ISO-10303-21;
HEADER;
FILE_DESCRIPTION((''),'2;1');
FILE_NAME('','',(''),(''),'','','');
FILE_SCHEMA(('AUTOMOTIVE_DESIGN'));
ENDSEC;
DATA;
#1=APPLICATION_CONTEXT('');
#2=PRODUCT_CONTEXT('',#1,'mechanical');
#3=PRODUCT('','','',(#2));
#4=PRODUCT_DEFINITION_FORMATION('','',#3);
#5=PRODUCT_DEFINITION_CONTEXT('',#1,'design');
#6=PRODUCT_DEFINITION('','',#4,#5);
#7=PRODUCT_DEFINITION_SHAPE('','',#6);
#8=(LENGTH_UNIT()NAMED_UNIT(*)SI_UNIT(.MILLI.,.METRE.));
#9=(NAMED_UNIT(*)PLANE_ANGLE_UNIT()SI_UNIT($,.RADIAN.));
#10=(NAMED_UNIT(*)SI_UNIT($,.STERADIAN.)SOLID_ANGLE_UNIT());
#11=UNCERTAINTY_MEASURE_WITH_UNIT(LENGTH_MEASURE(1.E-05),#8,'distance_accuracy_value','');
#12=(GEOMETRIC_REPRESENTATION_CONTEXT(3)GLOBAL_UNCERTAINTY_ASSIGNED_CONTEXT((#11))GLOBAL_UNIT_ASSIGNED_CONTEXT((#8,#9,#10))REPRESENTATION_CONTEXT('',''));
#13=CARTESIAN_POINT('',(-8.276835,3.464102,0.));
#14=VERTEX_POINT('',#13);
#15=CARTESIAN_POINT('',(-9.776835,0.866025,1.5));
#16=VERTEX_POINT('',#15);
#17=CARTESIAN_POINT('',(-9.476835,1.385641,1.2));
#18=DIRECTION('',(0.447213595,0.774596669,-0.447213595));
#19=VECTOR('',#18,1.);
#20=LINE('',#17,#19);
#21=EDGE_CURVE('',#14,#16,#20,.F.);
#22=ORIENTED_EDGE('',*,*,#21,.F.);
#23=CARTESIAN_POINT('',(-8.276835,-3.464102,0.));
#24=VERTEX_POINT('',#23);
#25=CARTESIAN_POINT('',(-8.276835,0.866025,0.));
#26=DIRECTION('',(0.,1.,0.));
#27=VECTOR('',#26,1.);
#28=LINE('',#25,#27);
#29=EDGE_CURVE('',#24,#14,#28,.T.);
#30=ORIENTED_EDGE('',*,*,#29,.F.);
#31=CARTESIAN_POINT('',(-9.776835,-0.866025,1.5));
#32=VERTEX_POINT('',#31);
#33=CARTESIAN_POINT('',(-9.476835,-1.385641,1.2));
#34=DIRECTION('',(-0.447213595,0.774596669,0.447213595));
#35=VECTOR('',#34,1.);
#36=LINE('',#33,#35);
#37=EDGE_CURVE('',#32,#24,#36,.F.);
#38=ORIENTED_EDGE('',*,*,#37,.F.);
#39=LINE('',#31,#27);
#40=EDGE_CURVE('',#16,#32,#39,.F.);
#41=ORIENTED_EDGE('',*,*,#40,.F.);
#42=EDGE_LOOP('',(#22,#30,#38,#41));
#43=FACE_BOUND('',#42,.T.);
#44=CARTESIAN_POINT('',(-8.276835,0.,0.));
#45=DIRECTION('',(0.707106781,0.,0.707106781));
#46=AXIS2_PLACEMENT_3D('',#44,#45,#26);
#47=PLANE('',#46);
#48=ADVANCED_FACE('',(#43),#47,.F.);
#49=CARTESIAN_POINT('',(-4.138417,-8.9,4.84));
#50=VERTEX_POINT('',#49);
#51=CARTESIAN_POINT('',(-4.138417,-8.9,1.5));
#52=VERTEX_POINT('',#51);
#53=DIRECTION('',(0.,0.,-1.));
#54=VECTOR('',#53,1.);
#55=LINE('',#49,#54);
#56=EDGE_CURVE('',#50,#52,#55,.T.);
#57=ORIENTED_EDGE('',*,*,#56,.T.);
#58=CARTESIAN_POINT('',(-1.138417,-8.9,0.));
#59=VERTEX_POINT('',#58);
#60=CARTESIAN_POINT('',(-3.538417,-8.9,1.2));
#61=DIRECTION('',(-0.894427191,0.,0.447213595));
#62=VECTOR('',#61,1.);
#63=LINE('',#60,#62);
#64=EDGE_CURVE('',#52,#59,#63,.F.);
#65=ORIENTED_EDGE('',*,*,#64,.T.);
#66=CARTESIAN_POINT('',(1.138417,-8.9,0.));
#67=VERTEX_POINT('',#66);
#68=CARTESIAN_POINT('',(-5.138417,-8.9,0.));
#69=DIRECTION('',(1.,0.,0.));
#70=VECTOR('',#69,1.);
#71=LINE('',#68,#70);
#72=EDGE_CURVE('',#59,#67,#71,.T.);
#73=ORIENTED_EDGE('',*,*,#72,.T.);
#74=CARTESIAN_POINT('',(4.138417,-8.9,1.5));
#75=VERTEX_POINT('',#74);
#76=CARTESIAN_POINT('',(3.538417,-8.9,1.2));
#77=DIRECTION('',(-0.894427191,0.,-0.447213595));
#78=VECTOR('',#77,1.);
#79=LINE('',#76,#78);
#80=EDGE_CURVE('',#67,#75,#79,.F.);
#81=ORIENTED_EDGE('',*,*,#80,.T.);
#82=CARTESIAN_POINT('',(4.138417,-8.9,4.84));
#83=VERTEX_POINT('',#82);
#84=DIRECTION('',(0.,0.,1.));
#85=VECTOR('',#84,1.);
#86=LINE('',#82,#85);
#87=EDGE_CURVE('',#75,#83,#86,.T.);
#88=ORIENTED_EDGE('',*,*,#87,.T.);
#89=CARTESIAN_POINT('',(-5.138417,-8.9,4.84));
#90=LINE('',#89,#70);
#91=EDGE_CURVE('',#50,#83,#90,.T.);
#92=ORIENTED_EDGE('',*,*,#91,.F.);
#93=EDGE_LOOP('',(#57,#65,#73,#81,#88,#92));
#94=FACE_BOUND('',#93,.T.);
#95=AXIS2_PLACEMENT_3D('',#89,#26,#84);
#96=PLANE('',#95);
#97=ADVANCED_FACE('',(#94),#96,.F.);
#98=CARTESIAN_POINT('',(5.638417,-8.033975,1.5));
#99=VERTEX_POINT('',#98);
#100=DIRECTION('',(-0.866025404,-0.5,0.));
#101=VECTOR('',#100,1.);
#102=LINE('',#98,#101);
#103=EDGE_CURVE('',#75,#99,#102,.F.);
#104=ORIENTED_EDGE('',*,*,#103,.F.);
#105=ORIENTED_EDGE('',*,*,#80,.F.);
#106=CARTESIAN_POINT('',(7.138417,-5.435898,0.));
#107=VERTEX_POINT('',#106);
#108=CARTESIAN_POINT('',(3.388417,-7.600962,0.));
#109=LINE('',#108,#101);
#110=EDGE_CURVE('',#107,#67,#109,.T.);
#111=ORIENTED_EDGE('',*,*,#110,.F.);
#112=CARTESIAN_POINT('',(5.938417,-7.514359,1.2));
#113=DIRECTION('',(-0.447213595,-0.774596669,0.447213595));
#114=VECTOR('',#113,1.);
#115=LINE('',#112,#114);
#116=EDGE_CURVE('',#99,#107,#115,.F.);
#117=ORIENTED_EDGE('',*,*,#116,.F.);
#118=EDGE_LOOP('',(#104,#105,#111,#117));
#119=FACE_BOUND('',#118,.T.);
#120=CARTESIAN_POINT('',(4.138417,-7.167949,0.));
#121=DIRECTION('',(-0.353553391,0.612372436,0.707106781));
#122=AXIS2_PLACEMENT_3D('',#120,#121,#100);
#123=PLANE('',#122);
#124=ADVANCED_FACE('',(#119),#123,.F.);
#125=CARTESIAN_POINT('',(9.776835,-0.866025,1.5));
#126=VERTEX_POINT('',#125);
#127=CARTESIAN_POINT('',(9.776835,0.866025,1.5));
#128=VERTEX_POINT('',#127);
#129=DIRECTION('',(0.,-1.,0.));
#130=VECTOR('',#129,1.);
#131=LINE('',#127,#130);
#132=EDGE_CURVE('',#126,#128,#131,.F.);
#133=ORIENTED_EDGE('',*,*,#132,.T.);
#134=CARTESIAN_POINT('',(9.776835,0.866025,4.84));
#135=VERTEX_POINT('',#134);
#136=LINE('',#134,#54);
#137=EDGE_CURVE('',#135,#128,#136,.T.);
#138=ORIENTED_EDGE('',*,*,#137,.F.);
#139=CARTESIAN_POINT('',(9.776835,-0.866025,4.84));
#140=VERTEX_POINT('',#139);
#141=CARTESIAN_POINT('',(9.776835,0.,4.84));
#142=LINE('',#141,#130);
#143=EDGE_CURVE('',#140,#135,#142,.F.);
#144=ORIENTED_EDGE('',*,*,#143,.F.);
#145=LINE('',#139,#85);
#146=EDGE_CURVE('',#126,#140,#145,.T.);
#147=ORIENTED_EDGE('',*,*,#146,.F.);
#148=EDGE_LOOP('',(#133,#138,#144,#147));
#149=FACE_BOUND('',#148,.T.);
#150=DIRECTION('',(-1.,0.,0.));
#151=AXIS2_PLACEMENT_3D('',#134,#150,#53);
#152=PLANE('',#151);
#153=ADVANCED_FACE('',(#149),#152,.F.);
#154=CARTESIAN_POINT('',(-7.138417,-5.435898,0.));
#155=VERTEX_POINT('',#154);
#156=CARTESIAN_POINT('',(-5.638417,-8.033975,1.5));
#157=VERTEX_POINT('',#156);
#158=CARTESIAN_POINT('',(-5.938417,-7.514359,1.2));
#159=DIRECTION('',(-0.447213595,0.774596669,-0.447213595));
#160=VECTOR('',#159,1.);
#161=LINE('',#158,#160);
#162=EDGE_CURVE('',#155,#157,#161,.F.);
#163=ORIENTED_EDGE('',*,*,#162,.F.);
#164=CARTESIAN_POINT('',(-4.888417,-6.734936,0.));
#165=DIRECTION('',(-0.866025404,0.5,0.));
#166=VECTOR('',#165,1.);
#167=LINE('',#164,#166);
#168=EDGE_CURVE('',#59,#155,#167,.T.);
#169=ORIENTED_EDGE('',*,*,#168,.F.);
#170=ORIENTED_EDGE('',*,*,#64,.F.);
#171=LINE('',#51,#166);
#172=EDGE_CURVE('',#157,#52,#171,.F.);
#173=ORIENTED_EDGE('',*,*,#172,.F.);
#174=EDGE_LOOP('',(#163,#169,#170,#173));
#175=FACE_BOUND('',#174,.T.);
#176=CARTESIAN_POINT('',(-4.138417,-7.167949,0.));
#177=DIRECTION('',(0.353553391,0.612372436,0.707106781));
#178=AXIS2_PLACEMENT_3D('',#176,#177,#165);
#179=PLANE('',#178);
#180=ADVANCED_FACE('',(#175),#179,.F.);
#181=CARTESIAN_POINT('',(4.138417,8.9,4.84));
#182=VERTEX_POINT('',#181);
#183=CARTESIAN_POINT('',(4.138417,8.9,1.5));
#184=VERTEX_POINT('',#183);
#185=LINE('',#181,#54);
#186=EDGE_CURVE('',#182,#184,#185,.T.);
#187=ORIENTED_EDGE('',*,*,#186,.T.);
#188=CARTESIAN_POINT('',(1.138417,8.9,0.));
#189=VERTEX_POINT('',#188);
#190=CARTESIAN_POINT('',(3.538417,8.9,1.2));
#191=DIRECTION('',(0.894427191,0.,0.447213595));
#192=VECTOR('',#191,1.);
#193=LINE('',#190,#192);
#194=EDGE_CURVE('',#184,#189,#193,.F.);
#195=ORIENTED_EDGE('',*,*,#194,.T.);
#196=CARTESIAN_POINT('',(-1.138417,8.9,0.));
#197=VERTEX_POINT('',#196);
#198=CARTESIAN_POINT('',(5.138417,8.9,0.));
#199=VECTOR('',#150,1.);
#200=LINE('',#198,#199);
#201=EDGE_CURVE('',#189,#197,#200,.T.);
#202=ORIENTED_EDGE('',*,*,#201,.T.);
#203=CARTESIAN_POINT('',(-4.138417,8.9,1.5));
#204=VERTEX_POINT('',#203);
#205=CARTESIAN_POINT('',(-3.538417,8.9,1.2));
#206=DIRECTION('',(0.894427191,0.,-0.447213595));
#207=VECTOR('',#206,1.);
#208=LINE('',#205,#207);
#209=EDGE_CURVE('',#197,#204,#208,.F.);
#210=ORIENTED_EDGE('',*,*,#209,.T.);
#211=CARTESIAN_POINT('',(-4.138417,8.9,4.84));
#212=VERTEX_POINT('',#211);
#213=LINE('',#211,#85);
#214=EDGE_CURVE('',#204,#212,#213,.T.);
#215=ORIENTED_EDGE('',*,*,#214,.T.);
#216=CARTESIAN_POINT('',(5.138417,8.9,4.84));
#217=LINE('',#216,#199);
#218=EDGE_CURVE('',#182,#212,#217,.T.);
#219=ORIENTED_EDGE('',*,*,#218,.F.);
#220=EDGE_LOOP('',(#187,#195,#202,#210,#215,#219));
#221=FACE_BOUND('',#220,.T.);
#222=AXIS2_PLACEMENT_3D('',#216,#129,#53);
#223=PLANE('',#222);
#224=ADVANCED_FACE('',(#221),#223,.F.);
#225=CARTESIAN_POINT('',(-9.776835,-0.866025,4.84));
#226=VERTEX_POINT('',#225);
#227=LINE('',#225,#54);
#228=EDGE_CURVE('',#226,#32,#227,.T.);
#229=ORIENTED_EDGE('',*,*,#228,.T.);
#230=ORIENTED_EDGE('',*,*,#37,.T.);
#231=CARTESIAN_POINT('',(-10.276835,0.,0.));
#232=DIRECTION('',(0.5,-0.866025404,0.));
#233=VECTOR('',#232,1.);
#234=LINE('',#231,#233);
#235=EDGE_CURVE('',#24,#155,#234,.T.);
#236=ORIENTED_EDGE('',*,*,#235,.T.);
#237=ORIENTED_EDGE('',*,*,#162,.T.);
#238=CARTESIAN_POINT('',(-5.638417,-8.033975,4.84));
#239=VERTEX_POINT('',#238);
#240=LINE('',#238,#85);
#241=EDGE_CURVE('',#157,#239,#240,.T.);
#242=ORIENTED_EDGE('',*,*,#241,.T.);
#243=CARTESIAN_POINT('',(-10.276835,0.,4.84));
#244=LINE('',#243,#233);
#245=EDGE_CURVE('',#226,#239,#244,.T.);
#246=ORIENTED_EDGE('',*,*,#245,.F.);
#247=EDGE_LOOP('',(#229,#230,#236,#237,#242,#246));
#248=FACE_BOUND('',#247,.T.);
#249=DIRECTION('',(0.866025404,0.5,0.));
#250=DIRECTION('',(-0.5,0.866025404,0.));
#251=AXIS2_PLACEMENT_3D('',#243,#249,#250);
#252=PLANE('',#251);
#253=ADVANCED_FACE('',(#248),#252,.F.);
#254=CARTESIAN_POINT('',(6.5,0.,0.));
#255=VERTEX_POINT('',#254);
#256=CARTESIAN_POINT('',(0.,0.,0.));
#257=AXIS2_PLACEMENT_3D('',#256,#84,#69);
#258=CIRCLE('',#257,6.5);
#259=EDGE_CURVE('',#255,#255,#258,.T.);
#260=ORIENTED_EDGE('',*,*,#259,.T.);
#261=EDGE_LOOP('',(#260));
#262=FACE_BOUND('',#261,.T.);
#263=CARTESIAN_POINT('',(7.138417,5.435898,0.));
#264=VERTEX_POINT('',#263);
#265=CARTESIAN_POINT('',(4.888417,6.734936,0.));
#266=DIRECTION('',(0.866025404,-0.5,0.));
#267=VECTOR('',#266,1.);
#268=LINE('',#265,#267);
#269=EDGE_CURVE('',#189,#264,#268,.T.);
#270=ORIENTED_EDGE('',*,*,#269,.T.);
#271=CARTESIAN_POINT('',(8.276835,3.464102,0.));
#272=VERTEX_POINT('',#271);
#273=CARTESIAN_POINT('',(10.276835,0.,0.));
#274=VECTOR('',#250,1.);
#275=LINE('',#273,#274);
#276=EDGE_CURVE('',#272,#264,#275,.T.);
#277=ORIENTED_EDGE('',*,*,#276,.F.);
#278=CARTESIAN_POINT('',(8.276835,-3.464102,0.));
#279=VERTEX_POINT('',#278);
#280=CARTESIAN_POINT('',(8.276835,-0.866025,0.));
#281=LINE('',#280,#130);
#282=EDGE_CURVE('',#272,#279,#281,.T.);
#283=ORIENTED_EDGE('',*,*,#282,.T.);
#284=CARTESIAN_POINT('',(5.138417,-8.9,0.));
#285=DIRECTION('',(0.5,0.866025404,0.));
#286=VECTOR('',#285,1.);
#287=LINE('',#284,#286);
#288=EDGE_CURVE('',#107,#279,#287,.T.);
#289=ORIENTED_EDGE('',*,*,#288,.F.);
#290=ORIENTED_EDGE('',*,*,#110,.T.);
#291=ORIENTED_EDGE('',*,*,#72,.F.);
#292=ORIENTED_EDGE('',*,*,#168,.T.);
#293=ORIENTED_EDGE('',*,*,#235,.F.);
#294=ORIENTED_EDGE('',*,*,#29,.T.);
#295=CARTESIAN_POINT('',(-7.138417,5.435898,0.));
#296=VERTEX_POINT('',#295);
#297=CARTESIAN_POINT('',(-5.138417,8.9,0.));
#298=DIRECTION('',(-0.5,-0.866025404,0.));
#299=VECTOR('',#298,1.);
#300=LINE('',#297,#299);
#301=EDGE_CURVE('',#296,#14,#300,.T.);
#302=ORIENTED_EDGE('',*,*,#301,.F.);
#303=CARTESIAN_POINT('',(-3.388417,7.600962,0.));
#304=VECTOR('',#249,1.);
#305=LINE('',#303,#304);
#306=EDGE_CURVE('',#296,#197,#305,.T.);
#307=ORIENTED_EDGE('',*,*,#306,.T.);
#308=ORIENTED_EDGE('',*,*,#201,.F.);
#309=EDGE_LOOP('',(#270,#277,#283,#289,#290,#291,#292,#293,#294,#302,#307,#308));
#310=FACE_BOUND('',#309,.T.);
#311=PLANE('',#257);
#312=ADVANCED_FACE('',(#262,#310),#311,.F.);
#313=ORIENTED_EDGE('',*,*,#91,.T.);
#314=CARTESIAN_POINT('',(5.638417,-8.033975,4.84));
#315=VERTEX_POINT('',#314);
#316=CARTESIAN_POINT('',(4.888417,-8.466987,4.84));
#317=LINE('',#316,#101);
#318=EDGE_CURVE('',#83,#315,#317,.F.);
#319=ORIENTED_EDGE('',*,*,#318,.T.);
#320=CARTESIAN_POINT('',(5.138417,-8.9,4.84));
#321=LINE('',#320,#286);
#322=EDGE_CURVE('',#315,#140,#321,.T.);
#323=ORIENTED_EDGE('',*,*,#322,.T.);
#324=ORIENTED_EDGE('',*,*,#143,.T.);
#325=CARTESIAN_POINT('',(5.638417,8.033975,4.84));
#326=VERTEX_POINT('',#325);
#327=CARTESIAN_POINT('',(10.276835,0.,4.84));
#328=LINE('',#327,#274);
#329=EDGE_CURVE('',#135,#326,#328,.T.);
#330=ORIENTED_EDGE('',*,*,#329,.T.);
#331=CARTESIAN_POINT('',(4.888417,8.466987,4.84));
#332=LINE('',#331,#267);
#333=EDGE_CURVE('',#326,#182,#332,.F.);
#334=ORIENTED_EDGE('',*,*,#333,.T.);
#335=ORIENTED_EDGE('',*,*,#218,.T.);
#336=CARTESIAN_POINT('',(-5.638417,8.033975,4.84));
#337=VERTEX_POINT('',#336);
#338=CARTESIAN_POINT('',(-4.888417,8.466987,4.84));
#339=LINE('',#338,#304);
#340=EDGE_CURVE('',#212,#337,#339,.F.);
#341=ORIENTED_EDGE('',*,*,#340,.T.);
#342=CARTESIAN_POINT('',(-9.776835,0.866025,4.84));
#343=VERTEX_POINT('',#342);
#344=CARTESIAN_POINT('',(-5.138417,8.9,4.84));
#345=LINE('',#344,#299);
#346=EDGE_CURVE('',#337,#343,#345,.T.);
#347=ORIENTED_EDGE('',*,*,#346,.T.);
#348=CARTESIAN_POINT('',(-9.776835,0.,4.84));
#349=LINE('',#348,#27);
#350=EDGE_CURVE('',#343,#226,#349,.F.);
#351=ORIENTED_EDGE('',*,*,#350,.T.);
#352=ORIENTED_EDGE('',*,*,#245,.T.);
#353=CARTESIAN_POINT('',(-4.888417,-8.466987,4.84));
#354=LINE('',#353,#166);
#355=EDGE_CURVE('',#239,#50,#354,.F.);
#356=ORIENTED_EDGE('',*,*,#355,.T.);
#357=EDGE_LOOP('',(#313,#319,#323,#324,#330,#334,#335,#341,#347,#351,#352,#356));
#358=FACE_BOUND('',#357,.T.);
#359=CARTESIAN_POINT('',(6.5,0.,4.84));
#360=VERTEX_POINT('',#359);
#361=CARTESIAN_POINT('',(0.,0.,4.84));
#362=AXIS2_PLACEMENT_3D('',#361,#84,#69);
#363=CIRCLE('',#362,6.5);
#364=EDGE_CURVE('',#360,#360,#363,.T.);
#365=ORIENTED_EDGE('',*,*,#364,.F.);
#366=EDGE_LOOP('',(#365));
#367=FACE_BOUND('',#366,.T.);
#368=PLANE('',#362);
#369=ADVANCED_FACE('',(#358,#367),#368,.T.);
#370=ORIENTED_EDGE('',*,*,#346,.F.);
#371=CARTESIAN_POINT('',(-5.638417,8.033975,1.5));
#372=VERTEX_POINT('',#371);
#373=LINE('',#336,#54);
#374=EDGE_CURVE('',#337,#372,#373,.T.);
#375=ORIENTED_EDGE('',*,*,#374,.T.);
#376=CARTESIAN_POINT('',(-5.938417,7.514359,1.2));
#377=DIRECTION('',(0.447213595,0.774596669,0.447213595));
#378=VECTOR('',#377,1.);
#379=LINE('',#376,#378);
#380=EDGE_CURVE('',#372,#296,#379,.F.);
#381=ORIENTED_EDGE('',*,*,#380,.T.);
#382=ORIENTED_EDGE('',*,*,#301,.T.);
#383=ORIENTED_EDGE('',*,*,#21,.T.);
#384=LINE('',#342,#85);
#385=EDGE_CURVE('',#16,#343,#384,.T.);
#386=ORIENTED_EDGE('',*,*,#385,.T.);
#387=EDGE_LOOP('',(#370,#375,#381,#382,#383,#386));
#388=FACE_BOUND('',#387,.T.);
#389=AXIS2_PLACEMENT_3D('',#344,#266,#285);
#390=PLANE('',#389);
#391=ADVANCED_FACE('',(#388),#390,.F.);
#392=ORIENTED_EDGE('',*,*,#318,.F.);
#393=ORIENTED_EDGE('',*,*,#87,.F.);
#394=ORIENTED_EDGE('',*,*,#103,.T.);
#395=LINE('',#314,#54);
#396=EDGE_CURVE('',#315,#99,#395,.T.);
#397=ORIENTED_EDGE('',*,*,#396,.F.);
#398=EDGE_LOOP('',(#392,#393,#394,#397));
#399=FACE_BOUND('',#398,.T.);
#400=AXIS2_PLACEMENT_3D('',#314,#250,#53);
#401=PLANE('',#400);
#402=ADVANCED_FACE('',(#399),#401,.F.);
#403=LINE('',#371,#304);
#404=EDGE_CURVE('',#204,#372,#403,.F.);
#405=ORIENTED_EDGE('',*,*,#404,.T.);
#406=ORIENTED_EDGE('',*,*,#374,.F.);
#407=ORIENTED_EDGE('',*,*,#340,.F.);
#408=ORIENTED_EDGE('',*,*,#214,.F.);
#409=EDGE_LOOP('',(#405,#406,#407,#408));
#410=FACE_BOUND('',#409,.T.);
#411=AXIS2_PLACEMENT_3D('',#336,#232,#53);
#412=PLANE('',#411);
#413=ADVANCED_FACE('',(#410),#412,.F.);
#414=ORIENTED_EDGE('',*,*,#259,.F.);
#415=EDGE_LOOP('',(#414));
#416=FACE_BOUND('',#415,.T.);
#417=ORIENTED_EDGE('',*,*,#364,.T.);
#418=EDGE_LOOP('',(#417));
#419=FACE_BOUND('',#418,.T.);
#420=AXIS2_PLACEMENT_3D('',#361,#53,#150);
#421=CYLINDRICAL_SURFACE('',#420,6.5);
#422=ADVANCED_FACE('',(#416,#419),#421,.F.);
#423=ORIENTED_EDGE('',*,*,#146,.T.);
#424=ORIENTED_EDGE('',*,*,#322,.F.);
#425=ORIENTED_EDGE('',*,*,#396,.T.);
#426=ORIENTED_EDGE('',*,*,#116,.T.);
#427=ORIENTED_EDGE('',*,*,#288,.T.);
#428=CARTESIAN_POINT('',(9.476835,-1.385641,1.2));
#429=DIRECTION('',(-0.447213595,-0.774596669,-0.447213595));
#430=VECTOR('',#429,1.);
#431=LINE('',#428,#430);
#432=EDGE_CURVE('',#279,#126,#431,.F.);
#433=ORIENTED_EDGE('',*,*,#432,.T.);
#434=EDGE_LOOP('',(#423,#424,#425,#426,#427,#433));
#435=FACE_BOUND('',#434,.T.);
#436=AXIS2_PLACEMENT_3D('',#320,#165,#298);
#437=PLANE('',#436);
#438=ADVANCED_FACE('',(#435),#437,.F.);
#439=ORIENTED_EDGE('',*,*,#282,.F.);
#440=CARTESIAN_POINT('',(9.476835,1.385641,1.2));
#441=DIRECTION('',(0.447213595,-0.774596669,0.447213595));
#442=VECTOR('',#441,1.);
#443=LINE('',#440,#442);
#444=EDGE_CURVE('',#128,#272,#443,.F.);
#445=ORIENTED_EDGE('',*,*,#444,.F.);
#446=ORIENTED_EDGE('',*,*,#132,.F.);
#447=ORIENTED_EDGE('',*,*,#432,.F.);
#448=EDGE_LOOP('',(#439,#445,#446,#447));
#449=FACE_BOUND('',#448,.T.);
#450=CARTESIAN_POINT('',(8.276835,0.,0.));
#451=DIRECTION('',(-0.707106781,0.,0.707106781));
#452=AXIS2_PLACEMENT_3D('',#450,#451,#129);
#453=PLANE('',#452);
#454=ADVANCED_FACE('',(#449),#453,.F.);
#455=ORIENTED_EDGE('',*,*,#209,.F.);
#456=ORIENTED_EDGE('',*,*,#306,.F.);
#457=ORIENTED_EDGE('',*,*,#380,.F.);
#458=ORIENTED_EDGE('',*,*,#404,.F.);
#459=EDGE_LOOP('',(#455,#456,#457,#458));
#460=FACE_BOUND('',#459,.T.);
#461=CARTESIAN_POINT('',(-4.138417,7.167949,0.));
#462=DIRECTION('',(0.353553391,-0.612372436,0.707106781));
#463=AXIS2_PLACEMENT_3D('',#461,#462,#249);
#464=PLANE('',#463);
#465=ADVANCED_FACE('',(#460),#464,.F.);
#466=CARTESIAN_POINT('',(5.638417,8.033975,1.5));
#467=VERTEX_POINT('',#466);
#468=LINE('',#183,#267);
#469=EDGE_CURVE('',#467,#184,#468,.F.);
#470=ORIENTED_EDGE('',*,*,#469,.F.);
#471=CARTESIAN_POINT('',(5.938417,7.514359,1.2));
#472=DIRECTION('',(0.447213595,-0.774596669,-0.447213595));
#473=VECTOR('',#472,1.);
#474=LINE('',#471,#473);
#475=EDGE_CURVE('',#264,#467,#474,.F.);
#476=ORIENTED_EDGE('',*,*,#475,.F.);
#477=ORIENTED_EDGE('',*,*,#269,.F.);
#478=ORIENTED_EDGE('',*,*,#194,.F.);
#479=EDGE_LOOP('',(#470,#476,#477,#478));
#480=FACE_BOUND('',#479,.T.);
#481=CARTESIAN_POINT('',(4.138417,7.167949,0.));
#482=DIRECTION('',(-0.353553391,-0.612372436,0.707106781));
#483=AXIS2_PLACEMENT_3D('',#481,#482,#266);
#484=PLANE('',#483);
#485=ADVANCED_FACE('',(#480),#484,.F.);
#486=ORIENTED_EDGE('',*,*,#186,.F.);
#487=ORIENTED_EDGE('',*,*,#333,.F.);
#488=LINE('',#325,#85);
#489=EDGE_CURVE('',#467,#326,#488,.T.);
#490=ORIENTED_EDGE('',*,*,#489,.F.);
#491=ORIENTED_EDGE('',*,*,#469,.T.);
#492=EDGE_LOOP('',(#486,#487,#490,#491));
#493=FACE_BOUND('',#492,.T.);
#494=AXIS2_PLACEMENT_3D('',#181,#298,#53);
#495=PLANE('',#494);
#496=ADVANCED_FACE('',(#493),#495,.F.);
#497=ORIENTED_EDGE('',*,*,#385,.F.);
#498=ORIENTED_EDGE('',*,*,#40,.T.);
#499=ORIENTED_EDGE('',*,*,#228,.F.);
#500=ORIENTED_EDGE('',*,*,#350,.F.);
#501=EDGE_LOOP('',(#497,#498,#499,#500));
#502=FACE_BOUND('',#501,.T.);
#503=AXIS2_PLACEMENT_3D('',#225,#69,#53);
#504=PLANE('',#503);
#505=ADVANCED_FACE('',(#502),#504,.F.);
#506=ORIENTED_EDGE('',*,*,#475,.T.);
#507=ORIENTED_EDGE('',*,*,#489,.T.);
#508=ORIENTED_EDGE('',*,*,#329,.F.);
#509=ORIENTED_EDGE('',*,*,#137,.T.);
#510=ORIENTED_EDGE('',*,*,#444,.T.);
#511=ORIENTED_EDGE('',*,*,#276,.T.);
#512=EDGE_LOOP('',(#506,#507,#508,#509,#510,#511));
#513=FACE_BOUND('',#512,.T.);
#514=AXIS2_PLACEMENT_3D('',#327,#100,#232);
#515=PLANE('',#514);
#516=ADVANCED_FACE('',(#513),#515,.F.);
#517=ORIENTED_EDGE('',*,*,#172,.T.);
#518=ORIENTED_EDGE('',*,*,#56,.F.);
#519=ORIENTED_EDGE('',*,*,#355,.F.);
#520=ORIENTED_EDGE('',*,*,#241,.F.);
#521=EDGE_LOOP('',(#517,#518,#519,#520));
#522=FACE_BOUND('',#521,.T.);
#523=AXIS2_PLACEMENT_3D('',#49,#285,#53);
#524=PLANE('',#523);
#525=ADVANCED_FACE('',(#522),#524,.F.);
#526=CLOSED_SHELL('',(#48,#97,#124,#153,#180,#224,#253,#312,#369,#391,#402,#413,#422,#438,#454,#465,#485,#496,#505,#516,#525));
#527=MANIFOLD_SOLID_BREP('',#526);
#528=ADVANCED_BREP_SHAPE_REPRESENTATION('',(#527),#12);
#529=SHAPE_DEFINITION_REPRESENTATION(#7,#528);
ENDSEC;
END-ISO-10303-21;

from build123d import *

# Parameters (mm, degrees)
SKETCH1_R           = 6.5
BOSS_EXTRUDE1_DEPTH = 4.84
CHAMFER1_SIZE       = 1
CHAMFER2_SIZE       = 1.5


with BuildPart() as part:
    # Sketch1 → Boss-Extrude1 (new body)
    with BuildSketch(Plane.XY):
        Polygon((5.138417396, 8.9), (-5.138417396, 8.9), (-10.276834792, 0), (-5.138417396, -8.9), (5.138417396, -8.9), (10.276834792, 0), align=None)
        Circle(SKETCH1_R, mode=Mode.SUBTRACT)
    extrude(amount=BOSS_EXTRUDE1_DEPTH)

    # Chamfer1
    chamfer1_edges = [part.edges().sort_by_distance(p)[0] for p in [
        (10.276834792, 0, 2.42),
        (5.138417396, -8.9, 2.42),
        (-5.138417396, -8.9, 2.42),
        (-10.276834792, 0, 2.42),
        (-5.138417396, 8.9, 2.42),
        (5.138417396, 8.9, 2.42),
    ]]
    chamfer(chamfer1_edges, length=CHAMFER1_SIZE)

    # Chamfer2
    chamfer2_edges = [part.edges().sort_by_distance(p)[0] for p in [
        (4.888417396, 8.466987298, 0),
        (9.776834792, 0, 0),
        (-4.888417396, 8.466987298, 0),
        (-9.776834792, 0, 0),
        (-4.888417396, -8.466987298, 0),
        (4.888417396, -8.466987298, 0),
    ]]
    chamfer(chamfer2_edges, length=CHAMFER2_SIZE)


solid = part.part
